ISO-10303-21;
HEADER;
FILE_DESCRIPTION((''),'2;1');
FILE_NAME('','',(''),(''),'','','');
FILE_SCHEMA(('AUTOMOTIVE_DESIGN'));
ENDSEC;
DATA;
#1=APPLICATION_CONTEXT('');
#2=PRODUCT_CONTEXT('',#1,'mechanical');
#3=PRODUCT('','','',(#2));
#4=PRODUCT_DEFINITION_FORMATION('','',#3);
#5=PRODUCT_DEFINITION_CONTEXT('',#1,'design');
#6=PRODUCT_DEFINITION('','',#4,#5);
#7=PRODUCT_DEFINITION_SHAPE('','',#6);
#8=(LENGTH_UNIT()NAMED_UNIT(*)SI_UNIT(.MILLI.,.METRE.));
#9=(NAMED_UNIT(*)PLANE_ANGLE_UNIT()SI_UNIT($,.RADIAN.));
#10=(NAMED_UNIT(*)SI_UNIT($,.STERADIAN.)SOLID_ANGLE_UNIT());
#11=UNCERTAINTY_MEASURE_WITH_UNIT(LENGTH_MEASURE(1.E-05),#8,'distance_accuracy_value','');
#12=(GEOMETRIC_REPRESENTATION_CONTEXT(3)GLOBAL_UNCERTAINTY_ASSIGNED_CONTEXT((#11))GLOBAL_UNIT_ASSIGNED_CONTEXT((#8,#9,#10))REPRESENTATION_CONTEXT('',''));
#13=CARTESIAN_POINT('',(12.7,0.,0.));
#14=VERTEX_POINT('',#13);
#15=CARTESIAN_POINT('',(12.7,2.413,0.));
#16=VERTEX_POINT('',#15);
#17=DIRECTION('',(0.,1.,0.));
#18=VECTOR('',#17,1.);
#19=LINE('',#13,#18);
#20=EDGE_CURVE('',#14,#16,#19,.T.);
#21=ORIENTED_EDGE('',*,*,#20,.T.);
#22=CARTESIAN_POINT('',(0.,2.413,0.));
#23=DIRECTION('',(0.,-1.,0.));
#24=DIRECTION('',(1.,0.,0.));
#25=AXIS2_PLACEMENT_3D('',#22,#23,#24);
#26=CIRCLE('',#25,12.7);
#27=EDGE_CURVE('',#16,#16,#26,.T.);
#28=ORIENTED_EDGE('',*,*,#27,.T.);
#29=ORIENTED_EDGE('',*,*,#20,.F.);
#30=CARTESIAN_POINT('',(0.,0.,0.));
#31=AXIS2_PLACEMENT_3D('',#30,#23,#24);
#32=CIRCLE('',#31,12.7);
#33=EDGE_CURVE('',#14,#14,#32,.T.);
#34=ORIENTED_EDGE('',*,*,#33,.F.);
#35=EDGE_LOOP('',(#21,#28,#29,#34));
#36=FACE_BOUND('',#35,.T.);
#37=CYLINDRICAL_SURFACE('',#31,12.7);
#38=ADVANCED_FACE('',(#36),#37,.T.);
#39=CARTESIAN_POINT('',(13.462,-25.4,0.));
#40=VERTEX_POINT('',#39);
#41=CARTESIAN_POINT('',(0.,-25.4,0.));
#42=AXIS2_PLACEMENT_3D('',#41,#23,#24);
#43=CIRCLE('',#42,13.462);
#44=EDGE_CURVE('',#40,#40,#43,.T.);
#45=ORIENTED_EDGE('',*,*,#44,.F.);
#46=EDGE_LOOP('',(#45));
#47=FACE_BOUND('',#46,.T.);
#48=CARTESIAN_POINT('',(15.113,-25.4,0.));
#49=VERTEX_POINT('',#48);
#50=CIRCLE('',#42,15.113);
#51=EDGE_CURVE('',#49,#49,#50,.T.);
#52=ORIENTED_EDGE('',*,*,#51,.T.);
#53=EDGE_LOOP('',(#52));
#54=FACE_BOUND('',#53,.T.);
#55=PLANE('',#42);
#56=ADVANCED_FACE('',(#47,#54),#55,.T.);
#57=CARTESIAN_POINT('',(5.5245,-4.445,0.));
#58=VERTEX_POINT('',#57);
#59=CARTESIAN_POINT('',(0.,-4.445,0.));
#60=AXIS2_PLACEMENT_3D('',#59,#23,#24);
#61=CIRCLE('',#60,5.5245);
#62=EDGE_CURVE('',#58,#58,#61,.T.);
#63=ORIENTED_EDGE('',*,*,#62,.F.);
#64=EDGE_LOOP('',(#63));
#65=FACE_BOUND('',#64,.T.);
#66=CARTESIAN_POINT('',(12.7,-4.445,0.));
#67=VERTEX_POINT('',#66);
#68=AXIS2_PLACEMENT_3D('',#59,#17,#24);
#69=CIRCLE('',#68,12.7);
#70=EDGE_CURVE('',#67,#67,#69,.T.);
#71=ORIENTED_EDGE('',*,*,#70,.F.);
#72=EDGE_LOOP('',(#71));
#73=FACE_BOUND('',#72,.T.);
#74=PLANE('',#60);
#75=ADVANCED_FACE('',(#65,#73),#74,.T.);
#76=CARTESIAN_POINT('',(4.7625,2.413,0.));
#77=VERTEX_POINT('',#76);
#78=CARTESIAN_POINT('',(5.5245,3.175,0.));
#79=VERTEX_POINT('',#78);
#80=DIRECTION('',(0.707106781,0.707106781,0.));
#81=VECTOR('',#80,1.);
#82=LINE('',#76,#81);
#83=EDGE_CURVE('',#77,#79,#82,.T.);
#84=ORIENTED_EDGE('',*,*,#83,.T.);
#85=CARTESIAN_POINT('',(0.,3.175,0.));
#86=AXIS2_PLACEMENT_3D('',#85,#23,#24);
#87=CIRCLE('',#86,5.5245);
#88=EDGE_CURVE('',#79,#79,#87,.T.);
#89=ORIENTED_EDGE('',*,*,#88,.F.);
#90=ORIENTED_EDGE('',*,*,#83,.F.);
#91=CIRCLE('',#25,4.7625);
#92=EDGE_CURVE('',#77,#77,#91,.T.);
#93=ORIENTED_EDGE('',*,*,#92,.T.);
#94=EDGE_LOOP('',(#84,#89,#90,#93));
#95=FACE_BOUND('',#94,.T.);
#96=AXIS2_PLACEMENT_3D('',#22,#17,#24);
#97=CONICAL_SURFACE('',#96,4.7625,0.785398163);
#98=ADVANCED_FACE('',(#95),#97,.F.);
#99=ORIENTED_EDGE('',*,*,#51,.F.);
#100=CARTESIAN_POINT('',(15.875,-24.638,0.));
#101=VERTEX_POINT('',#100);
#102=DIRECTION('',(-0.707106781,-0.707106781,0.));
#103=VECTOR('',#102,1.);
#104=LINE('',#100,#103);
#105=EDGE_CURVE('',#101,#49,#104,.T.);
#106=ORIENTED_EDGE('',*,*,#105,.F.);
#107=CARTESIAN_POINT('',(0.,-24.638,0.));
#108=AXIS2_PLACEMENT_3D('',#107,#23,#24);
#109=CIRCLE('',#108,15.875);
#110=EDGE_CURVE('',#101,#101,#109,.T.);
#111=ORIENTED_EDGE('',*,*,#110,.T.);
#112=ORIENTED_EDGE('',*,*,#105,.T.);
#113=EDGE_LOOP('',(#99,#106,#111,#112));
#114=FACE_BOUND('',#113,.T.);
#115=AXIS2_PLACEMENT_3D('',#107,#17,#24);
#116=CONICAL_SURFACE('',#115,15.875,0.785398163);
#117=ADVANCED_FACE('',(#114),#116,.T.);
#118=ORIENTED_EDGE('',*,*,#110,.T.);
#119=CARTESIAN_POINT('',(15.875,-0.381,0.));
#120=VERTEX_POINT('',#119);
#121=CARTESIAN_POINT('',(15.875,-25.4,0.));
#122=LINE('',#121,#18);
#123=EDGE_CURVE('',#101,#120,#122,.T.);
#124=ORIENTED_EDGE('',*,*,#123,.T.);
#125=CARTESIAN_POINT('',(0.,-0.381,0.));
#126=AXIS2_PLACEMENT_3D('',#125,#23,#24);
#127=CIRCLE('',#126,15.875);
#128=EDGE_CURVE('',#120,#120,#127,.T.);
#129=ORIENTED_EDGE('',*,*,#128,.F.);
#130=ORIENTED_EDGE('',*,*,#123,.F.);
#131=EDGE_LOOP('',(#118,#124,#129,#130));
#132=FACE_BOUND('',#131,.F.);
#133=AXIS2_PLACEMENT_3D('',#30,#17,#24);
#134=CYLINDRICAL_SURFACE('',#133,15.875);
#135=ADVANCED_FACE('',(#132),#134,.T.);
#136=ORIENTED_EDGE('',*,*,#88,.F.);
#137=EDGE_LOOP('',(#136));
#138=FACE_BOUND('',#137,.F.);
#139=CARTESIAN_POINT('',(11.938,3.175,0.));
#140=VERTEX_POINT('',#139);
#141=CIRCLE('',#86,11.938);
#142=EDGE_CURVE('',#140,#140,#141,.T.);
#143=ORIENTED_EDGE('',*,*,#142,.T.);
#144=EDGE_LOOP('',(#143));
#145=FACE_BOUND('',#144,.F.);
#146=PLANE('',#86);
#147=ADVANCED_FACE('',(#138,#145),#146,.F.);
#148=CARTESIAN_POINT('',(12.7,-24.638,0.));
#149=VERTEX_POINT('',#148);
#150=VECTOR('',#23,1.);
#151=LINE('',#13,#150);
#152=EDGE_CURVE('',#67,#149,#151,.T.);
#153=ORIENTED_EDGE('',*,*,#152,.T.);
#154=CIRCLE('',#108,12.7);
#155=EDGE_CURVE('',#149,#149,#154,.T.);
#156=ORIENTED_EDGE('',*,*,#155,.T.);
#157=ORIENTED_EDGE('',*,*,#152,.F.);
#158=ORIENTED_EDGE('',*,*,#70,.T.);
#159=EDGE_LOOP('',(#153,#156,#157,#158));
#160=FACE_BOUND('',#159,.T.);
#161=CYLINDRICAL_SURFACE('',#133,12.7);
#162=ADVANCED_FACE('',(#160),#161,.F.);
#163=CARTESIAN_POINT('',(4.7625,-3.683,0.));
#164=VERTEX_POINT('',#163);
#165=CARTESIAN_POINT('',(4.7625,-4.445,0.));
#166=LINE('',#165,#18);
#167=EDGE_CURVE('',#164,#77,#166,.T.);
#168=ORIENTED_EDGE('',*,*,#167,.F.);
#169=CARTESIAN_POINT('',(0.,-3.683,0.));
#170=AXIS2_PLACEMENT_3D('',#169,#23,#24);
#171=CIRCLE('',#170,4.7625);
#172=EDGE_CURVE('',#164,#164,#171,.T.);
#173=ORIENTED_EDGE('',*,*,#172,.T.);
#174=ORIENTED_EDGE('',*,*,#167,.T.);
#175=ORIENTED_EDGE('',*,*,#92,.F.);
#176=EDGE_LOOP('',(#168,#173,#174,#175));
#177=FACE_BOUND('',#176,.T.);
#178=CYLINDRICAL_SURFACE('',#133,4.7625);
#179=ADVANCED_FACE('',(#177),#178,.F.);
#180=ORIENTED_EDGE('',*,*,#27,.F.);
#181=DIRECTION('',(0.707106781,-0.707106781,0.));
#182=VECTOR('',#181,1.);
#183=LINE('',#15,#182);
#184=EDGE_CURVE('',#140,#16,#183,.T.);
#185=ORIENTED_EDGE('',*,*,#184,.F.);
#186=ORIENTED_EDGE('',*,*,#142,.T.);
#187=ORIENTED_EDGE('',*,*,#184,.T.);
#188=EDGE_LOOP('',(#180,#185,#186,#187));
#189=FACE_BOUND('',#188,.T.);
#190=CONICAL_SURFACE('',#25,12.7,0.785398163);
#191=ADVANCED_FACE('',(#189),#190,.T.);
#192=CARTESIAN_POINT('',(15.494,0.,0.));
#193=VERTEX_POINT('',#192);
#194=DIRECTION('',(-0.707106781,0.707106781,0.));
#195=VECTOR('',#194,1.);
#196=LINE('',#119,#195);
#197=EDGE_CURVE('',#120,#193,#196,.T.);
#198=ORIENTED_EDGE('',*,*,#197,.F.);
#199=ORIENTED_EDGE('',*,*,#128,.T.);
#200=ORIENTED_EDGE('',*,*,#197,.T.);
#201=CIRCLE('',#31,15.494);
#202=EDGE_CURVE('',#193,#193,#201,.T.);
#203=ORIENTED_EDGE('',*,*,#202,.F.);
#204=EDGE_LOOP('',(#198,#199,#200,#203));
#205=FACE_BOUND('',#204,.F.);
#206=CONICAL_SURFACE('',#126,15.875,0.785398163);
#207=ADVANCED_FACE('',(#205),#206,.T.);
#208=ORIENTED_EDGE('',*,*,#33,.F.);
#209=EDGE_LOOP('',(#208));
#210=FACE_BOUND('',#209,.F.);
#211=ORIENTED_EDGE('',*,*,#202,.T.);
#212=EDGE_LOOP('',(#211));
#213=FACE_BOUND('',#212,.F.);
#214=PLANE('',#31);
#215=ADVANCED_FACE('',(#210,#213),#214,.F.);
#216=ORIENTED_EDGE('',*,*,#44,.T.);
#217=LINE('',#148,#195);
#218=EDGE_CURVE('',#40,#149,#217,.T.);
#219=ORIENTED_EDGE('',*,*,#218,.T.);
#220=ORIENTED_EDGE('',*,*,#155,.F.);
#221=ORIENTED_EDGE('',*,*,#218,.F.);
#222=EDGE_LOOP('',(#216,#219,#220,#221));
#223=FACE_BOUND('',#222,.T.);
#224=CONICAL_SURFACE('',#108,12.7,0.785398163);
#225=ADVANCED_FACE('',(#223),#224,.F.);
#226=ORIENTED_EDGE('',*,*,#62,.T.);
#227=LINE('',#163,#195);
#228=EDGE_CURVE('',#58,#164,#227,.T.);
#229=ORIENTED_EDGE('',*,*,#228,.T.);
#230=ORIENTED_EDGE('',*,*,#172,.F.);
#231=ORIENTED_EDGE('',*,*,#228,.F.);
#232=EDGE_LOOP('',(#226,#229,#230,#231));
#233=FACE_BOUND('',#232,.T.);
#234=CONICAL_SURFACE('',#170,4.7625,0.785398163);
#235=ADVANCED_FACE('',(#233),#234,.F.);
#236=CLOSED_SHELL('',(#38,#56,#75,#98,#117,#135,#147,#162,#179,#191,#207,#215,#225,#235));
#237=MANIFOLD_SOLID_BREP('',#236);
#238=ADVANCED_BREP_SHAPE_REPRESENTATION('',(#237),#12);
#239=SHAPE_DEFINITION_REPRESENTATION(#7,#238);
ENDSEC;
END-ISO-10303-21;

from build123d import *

# Parameters (mm, degrees)
F0_R     = 12.7
F0_R_2   = 4.7625
F1_DEPTH = 3.175
F2_R     = 15.875
F2_R_2   = 4.7625
F3_DEPTH = 4.445
F4_R     = 15.875
F4_R_2   = 12.7
F5_DEPTH = 25.4
F6_SIZE  = 0.762
F7_SIZE  = 0.381


with BuildPart() as f1:
    # F0 (on Front) → F1 (new body)
    with BuildSketch(Plane.XZ):
        Circle(F0_R)
        Circle(F0_R_2, mode=Mode.SUBTRACT)
    extrude(amount=-F1_DEPTH)

    # F2 (on Front) → F3 (join)
    with BuildSketch(Plane.XZ):
        Circle(F2_R)
        Circle(F2_R_2, mode=Mode.SUBTRACT)
    extrude(amount=F3_DEPTH)

    # F4 (on Front) → F5 (join)
    with BuildSketch(Plane.XZ):
        Circle(F4_R)
        Circle(F4_R_2, mode=Mode.SUBTRACT)
    extrude(amount=F5_DEPTH)

    # F6
    f6_edges = [f1.edges().sort_by_distance(p)[0] for p in [
        (-12.7, -25.4, 0),
        (-15.875, -25.4, 0),
        (-4.7625, -4.445, 0),
        (-12.7, 3.175, 0),
        (-4.7625, 3.175, 0),
    ]]
    chamfer(f6_edges, length=F6_SIZE)

    # F7
    f7_edges = [f1.edges().sort_by_distance(p)[0] for p in [
        (-15.875, 0, 0),
    ]]
    chamfer(f7_edges, length=F7_SIZE)


solid = f1.part
